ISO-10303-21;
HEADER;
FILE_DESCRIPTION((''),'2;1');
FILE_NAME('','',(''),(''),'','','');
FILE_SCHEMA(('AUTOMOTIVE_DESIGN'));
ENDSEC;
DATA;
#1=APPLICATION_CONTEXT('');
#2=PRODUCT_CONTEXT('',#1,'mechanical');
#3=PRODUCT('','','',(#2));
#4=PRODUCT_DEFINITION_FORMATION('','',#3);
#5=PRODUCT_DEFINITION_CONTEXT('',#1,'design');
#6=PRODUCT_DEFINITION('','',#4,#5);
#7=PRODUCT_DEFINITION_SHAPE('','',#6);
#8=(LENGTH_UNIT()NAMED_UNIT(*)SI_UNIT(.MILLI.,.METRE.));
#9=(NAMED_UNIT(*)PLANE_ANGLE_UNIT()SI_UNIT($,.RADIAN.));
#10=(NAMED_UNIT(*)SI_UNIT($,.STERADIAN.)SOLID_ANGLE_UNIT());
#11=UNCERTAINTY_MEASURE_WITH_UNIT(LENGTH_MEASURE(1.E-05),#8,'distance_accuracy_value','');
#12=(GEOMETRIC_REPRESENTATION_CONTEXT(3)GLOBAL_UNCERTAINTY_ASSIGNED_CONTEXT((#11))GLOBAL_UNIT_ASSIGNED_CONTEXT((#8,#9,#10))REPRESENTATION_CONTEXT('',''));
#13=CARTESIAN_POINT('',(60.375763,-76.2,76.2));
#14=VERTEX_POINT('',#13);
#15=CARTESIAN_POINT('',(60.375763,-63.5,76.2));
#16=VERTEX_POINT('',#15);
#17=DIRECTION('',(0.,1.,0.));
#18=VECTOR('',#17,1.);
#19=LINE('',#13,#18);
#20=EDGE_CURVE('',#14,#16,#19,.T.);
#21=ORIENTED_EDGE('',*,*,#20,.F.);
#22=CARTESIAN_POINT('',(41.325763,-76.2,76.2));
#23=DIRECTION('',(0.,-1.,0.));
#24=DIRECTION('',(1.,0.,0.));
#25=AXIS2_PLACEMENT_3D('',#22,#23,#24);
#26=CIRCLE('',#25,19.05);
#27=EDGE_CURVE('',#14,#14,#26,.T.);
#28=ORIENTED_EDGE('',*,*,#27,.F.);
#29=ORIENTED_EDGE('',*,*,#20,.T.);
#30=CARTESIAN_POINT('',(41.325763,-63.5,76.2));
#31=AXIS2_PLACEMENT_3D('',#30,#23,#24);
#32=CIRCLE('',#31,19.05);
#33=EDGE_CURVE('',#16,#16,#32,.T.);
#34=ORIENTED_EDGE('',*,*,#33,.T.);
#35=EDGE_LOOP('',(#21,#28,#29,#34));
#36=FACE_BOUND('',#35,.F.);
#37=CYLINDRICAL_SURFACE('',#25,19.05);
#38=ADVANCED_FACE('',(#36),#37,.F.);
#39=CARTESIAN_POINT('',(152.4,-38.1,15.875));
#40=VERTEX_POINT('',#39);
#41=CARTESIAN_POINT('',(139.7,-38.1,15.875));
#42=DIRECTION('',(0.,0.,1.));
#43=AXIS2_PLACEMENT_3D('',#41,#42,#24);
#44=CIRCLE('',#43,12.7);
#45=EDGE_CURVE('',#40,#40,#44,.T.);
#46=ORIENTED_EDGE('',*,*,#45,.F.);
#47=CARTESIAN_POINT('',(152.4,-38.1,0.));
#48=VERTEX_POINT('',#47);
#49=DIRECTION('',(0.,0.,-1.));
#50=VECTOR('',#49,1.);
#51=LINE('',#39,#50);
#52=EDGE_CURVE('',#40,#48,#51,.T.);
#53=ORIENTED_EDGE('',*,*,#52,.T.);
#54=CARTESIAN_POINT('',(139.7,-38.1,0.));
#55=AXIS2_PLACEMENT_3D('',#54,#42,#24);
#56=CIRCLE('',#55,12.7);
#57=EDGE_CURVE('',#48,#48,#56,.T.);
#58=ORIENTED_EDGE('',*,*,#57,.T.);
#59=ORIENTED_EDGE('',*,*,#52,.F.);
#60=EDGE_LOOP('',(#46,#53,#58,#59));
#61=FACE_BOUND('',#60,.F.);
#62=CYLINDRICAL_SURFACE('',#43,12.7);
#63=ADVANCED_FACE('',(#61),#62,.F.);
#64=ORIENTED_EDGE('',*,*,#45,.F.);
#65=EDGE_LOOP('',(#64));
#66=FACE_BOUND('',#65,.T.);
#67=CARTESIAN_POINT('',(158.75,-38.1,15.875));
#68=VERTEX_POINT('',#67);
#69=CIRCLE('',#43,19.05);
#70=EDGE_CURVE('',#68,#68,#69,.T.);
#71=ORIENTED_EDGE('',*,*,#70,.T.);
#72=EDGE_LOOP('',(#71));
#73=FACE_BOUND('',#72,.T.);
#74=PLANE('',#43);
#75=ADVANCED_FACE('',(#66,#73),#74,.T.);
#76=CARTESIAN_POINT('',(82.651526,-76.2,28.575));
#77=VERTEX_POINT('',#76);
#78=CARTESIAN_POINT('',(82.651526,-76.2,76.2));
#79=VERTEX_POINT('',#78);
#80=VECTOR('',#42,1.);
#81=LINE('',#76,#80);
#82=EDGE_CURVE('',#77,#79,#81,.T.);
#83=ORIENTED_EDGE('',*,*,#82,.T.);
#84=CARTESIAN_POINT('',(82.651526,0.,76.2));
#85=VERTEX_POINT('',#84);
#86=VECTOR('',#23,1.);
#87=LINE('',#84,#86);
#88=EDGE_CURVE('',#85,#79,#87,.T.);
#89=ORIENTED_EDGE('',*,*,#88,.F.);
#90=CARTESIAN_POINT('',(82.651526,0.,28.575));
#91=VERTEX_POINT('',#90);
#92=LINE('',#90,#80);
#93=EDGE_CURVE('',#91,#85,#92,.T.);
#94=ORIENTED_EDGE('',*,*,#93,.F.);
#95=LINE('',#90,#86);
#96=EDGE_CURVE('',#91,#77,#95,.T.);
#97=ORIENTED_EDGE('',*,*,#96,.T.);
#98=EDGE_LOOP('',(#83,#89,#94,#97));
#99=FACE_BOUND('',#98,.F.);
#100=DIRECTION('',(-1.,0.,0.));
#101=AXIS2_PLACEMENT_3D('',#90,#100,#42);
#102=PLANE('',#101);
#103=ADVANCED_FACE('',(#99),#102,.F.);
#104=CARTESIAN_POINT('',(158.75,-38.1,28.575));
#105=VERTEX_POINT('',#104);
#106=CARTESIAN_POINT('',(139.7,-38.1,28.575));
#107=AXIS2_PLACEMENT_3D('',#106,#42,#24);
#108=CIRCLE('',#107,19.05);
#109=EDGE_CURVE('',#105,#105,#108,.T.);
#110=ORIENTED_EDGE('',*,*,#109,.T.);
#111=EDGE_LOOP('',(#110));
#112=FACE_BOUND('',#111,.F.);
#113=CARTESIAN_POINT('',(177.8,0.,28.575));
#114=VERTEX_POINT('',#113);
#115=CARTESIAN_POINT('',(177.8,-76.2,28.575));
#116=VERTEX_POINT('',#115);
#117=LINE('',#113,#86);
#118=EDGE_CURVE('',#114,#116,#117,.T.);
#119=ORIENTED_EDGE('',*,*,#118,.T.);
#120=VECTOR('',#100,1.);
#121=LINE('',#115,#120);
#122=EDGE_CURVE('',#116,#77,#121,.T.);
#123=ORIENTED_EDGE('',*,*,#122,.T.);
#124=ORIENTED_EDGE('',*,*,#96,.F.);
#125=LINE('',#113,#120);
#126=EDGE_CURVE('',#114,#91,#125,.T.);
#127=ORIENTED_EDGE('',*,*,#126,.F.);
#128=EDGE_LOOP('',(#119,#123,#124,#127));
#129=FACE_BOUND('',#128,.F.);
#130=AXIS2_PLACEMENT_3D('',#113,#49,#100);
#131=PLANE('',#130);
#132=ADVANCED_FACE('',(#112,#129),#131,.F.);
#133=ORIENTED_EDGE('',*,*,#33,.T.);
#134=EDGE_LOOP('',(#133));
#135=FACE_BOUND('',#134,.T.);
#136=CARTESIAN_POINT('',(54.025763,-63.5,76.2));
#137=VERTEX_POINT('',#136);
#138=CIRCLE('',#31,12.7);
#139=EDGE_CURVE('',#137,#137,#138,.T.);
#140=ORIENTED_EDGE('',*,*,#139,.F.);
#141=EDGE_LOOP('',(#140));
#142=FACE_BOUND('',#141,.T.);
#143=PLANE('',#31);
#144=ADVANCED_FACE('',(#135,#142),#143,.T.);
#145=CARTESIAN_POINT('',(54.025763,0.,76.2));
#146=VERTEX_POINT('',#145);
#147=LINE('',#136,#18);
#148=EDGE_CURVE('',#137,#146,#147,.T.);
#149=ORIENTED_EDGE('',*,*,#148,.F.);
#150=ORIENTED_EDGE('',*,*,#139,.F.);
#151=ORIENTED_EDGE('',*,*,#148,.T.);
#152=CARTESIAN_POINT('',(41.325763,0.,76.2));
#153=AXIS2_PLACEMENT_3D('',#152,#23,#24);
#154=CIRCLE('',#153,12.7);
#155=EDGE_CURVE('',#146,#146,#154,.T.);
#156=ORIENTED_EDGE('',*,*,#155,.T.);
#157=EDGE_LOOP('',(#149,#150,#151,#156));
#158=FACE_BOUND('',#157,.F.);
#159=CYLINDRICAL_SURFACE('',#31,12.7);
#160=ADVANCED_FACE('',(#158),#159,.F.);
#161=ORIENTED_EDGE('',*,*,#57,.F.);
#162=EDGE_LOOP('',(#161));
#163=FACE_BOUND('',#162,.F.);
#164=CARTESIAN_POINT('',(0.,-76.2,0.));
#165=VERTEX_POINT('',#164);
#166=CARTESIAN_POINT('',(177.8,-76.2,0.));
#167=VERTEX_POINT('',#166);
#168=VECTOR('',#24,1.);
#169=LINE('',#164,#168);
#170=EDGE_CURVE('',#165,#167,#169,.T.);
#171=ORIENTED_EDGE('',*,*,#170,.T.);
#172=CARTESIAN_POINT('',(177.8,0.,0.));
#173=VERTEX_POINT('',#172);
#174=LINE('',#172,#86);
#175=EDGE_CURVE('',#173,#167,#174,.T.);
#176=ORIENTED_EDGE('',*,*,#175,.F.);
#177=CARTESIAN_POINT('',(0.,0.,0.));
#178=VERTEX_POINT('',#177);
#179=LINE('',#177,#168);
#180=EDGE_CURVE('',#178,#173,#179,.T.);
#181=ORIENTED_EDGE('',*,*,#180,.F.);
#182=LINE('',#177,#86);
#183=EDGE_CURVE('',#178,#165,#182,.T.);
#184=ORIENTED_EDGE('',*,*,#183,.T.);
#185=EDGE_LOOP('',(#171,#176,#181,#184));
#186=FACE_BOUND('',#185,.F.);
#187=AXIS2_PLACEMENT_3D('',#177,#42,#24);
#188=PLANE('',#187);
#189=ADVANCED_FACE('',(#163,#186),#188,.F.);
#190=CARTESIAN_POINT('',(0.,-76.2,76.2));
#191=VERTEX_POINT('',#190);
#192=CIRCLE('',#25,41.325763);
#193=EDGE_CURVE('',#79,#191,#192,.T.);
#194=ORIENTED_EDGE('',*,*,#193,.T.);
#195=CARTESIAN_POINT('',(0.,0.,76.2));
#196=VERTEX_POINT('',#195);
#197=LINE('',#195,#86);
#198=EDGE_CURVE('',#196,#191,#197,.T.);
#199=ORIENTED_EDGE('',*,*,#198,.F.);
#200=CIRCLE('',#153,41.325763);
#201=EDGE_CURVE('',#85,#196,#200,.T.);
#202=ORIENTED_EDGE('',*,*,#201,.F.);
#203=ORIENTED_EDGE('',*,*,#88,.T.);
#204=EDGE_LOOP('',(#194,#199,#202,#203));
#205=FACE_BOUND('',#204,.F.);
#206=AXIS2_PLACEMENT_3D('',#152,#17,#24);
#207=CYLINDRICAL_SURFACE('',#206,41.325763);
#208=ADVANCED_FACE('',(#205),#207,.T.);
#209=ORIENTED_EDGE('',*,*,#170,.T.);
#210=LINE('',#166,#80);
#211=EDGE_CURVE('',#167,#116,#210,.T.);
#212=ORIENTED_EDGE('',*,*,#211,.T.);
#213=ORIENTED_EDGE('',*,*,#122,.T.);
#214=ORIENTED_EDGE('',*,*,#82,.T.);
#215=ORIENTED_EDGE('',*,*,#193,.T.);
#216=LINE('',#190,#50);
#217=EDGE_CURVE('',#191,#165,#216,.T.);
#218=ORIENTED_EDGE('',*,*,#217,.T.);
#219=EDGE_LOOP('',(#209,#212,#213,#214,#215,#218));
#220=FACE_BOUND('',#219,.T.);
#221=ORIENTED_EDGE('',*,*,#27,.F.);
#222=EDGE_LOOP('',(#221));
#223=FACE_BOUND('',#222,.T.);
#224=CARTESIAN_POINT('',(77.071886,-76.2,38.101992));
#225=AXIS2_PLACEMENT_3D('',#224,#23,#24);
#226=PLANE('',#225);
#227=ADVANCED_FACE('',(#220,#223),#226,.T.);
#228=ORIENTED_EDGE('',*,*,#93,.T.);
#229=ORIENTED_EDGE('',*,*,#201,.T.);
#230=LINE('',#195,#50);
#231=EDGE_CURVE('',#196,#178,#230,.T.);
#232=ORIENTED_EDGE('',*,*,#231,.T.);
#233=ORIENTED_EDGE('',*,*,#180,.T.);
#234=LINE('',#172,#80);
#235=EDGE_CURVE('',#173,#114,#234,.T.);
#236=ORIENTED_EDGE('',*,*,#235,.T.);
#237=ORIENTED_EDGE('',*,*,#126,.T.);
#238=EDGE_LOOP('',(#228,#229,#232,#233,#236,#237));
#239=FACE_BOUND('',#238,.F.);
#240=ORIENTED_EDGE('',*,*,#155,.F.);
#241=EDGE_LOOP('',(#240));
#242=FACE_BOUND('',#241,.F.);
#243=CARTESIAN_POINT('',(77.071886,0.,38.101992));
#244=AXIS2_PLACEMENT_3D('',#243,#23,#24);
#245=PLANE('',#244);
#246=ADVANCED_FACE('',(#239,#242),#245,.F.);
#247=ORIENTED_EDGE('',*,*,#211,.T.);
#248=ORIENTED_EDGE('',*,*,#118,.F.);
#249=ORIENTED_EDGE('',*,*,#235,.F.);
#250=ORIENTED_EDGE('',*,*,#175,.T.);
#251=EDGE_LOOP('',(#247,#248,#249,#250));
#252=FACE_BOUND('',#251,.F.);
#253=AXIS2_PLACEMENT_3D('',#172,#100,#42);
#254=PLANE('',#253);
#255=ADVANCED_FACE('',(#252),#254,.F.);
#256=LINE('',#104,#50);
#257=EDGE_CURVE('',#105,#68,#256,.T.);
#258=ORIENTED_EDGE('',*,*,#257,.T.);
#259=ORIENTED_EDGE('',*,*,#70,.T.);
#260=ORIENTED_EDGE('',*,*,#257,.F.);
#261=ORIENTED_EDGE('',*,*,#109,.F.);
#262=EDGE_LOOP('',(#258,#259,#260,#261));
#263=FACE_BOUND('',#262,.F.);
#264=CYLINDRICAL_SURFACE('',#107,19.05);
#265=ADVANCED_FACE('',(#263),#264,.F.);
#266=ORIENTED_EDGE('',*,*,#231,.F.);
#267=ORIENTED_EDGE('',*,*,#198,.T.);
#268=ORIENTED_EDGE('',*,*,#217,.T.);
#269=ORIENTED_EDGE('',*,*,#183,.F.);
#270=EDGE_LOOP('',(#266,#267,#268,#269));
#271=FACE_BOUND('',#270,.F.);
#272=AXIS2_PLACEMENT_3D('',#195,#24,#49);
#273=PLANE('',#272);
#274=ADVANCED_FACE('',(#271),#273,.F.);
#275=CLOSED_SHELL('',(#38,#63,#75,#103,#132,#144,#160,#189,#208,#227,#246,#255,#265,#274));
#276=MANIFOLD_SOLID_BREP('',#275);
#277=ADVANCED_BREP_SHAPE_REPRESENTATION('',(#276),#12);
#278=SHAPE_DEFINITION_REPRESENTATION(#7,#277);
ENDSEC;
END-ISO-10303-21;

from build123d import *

# Parameters (mm, degrees)
F1_DEPTH  = 76.2
F2_R      = 19.05
F3_DEPTH  = 12.7
F4_R      = 12.7
F5_DEPTH  = 12.7
F6_R      = 12.7
F7_DEPTH  = 63.5
F8_R      = 19.05
F9_DEPTH  = 12.7
F10_R     = 12.7
F11_DEPTH = 15.875


with BuildPart() as f1:
    # F0 (on Front) → F1 (new body)
    with BuildSketch(Plane.XZ):
        with BuildLine():
            Line((0, 76.2), (0, 0))
            Line((0, 0), (177.8, 0))
            Line((177.8, 0), (177.8, 28.575))
            Line((177.8, 28.575), (82.651526, 28.575))
            Line((82.651526, 28.575), (82.651526, 76.2))
            ThreePointArc((82.651526, 76.2), (41.325763, 117.525763), (0, 76.2))
        make_face()
    extrude(amount=F1_DEPTH)

    # F2 (on face) → F3 (cut)
    with BuildSketch(Plane.XZ.offset(76.2)):
        with Locations((41.325763, 76.2)):
            Circle(F2_R)
    extrude(amount=-F3_DEPTH, mode=Mode.SUBTRACT)

    # F4 (on face) → F5 (cut, through all)
    with BuildSketch(Plane.XZ.offset(76.2)):
        with Locations((41.325763, 76.2)):
            Circle(F4_R)
    extrude(amount=-F5_DEPTH, mode=Mode.SUBTRACT)

    # F6 (on face) → F7 (cut, through all)
    with BuildSketch(Plane.XZ.offset(63.5)):
        with Locations((41.325763, 76.2)):
            Circle(F6_R)
    extrude(amount=-F7_DEPTH, mode=Mode.SUBTRACT)

    # F8 (on face) → F9 (cut)
    with BuildSketch(Plane.XY.offset(28.575)):
        with Locations((139.7, -38.1)):
            Circle(F8_R)
    extrude(amount=-F9_DEPTH, mode=Mode.SUBTRACT)

    # F10 (on face) → F11 (cut, through all)
    with BuildSketch(Plane.XY.offset(15.875)):
        with Locations((139.7, -38.1)):
            Circle(F10_R)
    extrude(amount=-F11_DEPTH, mode=Mode.SUBTRACT)


solid = f1.part
